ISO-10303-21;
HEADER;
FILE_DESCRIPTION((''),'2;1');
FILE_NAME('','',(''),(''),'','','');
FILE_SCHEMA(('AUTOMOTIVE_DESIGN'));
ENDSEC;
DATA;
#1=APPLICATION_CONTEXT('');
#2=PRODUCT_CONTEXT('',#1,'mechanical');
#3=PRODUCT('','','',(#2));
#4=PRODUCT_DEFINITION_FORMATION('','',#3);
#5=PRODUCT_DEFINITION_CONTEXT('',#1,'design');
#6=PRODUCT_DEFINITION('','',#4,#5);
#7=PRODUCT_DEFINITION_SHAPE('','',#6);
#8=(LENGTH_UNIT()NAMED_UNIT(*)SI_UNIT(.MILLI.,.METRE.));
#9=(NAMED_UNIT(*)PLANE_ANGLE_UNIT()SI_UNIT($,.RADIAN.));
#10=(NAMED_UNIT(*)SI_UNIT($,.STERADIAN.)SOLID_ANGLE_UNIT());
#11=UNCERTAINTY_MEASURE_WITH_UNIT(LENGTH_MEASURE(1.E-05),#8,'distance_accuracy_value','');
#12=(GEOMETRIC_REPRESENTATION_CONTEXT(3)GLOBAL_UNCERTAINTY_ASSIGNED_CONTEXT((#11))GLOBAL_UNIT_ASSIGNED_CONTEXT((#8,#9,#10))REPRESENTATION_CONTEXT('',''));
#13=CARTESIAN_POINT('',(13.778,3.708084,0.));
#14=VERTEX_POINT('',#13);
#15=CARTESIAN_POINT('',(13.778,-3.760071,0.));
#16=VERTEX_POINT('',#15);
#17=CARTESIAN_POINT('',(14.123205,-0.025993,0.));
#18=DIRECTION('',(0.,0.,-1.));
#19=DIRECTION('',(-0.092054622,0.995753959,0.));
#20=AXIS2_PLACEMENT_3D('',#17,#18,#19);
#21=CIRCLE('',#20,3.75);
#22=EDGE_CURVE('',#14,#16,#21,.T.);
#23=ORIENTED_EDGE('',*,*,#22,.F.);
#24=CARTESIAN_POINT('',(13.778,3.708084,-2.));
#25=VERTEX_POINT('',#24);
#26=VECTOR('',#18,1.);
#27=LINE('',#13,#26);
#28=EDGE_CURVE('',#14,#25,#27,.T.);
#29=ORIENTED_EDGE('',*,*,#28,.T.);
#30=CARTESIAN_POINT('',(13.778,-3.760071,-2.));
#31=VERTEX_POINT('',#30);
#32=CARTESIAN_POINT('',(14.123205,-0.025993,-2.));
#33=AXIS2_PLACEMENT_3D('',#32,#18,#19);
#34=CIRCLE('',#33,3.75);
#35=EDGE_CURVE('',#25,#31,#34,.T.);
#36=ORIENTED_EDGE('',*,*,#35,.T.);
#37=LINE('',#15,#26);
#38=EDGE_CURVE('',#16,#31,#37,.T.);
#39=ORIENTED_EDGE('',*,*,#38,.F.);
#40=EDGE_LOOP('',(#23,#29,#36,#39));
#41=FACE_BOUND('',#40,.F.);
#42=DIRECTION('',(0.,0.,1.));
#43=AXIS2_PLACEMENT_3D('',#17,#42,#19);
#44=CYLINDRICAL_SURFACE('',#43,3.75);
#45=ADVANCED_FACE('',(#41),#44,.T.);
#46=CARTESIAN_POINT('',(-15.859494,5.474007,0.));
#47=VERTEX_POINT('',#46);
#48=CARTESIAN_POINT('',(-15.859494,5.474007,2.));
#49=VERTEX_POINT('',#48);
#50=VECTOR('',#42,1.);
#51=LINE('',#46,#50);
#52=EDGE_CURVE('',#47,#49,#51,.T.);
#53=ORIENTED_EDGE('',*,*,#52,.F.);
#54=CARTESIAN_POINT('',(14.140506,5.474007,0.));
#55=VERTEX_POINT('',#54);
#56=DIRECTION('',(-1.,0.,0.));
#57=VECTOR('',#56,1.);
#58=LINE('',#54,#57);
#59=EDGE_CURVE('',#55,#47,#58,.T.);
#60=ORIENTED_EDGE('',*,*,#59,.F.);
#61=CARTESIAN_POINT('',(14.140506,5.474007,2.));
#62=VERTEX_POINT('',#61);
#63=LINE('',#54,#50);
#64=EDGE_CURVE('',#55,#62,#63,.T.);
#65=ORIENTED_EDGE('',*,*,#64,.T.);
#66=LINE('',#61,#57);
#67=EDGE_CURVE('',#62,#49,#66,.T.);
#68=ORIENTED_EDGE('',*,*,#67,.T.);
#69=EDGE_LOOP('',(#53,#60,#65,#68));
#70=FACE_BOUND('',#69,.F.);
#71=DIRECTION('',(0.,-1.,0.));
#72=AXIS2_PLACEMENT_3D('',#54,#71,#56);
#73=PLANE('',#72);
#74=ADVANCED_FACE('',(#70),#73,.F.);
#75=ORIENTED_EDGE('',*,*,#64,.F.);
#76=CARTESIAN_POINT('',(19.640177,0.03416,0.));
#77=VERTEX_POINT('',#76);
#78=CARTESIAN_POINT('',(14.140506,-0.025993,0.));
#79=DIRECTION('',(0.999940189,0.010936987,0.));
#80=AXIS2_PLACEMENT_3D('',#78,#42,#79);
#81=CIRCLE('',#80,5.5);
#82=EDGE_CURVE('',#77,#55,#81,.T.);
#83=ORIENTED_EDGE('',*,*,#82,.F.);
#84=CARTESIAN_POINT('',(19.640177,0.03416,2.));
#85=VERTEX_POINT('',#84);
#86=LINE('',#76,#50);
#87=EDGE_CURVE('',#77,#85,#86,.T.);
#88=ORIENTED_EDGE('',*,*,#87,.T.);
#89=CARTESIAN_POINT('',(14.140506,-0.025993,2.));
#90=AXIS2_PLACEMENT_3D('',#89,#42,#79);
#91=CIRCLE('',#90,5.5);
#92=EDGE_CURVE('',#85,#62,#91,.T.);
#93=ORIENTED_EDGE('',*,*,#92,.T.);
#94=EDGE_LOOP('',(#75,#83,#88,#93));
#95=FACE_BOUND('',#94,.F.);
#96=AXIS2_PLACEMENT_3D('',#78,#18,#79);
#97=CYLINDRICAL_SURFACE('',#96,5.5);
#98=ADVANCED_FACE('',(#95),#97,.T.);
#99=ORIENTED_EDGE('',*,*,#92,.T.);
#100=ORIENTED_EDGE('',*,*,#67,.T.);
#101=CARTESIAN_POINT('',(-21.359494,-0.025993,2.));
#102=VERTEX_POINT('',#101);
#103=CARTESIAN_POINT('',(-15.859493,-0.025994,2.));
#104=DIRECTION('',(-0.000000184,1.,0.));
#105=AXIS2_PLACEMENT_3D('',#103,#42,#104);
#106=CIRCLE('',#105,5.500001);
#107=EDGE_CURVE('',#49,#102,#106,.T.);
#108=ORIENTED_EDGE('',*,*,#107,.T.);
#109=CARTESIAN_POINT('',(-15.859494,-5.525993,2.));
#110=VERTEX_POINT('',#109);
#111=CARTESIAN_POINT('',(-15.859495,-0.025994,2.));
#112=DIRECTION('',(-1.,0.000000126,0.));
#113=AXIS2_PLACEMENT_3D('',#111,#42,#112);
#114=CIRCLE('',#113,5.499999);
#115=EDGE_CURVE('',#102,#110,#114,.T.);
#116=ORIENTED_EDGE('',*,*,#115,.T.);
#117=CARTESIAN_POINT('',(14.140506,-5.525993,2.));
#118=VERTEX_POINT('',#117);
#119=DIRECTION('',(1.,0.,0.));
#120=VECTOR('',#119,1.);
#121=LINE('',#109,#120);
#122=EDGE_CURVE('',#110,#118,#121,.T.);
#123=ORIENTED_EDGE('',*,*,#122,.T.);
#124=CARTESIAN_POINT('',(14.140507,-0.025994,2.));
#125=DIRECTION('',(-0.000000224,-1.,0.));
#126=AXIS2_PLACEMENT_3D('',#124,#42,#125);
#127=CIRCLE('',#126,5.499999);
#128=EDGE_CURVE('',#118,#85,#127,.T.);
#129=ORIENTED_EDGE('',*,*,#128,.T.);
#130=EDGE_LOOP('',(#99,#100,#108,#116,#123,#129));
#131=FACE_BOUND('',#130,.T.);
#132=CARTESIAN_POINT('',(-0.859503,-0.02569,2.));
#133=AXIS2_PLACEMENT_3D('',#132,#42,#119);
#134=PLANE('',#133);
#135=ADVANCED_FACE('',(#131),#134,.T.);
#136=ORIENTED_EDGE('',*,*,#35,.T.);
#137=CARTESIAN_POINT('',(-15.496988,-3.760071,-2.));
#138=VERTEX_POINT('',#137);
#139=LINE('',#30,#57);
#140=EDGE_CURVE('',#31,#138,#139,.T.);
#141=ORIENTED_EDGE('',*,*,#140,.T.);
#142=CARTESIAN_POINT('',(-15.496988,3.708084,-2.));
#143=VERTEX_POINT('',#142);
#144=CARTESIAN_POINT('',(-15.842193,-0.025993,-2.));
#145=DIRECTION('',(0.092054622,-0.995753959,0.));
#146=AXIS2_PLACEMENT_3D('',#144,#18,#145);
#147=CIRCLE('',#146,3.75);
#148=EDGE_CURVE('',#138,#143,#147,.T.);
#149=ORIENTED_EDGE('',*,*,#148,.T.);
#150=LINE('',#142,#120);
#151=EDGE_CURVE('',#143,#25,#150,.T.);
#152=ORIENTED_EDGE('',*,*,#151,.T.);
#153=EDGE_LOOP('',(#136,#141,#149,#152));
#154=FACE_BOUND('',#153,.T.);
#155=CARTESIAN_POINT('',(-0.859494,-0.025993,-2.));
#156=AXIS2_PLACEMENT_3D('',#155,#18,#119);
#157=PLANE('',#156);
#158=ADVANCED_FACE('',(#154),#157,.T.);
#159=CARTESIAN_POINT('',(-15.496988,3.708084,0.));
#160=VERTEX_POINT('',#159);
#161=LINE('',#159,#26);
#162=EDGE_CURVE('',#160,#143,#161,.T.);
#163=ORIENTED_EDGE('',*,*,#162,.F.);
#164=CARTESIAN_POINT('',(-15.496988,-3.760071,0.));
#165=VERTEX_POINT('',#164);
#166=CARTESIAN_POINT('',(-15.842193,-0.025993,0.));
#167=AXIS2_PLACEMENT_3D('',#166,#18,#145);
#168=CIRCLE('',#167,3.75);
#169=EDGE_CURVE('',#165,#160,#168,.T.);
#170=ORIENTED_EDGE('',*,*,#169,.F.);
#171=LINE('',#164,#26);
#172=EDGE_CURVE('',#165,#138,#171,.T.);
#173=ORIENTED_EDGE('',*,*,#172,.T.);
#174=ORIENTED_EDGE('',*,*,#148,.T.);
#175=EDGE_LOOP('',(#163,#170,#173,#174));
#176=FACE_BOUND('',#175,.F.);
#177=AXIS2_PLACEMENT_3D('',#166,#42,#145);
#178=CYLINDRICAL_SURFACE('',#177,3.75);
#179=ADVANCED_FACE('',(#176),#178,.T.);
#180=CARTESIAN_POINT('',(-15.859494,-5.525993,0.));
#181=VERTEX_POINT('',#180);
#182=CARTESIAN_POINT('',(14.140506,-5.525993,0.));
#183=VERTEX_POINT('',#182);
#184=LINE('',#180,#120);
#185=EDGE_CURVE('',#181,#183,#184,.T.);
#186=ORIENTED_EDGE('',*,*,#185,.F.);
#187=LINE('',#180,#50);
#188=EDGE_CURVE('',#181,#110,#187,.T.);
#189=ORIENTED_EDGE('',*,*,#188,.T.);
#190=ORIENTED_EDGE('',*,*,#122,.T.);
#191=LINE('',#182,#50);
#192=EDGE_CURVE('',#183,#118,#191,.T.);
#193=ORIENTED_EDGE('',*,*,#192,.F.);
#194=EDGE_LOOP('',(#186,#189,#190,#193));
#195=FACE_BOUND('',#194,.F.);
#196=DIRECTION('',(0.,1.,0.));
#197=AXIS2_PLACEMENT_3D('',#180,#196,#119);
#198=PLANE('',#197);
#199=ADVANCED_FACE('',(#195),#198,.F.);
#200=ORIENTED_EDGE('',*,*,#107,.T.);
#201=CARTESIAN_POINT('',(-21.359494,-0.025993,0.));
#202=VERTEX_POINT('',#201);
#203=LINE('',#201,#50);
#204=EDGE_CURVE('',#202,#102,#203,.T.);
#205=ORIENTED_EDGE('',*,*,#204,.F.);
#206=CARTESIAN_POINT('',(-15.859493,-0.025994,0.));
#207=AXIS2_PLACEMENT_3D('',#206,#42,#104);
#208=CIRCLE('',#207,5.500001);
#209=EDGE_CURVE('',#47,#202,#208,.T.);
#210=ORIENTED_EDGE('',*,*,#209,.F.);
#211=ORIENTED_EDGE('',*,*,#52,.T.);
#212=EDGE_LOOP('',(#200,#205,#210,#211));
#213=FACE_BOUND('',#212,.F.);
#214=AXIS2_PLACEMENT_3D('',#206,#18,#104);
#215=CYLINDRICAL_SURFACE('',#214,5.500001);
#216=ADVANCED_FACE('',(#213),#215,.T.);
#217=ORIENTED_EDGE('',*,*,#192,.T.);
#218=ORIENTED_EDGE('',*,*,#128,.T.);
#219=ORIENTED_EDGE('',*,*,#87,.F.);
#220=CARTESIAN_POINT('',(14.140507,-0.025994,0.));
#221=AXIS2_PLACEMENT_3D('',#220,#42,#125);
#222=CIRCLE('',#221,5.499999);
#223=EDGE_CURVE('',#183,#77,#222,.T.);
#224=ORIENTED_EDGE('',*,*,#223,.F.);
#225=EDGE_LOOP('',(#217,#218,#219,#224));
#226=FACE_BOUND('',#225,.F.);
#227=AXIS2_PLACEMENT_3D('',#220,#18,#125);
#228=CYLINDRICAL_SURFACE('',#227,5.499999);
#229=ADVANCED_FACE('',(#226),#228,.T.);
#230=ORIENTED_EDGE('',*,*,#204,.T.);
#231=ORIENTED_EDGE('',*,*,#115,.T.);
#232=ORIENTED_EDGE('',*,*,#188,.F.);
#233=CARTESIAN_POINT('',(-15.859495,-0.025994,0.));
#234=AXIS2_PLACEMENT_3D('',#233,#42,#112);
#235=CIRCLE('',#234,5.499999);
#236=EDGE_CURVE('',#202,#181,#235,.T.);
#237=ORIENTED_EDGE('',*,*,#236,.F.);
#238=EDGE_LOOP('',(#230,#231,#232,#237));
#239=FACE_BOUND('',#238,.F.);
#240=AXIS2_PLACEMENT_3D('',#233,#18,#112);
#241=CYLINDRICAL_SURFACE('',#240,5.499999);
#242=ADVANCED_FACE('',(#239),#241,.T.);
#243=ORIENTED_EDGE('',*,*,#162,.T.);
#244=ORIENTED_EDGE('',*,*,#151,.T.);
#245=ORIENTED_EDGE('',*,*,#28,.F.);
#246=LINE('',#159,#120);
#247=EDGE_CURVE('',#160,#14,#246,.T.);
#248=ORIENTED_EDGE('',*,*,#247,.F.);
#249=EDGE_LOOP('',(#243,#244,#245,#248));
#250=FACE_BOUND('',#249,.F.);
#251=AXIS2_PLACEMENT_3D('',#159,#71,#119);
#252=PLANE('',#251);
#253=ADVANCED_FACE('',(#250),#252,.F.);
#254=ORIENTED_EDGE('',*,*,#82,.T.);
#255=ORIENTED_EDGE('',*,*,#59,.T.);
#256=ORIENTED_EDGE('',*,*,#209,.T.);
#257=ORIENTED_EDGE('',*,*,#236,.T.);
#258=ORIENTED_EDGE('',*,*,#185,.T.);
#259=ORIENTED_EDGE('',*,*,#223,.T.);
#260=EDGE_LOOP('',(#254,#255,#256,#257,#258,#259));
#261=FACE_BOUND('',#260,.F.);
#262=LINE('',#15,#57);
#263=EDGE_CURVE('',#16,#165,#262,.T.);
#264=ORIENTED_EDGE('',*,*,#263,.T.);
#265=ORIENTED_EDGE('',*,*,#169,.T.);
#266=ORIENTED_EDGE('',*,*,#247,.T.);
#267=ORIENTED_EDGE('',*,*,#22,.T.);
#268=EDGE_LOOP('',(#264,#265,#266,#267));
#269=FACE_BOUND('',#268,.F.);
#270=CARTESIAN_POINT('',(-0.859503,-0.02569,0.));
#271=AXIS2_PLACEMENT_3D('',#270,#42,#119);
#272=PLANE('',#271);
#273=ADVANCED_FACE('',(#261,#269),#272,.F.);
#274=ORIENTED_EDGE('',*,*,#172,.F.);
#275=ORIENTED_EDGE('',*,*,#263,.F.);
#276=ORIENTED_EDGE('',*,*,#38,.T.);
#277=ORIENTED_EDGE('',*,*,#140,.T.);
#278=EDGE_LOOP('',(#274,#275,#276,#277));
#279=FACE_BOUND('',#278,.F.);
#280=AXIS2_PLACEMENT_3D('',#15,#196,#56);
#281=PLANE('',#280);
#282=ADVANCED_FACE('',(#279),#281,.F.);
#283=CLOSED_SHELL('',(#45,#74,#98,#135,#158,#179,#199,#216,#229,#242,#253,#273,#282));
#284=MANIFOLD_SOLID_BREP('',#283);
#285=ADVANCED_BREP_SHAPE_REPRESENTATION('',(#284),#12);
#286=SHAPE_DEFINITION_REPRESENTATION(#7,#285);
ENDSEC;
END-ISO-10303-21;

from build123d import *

# Parameters (mm, degrees)
F1_DEPTH = 2
F3_DEPTH = 2


with BuildPart() as f1:
    # F0 (on Top) → F1 (new body)
    with BuildSketch(Plane.XY):
        with BuildLine():
            ThreePointArc((19.640177, 0.03416), (18.008268, 3.884303), (14.140506, 5.474007))
            Line((14.140506, 5.474007), (-15.859494, 5.474007))
            ThreePointArc((-15.859494, 5.474007), (-19.748581, 3.863094), (-21.359494, -0.025993))
            ThreePointArc((-21.359494, -0.025993), (-19.748581, -3.915081), (-15.859494, -5.525993))
            Line((-15.859494, -5.525993), (14.140506, -5.525993))
            ThreePointArc((14.140506, -5.525993), (18.050803, -3.893755), (19.640177, 0.03416))
        make_face()
    extrude(amount=F1_DEPTH)

    # F2 (on face) → F3 (join)
    with BuildSketch(Plane(origin=(0, 0, 0), x_dir=(1, 0, 0), z_dir=(0, 0, -1))):
        with BuildLine():
            Line((13.778, 3.760071), (-15.496988, 3.760071))
            ThreePointArc((-15.496988, 3.760071), (-19.592193, 0.025993), (-15.496988, -3.708084))
            Line((-15.496988, -3.708084), (13.778, -3.708084))
            ThreePointArc((13.778, -3.708084), (17.873205, 0.025993), (13.778, 3.760071))
        make_face()
    extrude(amount=F3_DEPTH)


solid = f1.part
